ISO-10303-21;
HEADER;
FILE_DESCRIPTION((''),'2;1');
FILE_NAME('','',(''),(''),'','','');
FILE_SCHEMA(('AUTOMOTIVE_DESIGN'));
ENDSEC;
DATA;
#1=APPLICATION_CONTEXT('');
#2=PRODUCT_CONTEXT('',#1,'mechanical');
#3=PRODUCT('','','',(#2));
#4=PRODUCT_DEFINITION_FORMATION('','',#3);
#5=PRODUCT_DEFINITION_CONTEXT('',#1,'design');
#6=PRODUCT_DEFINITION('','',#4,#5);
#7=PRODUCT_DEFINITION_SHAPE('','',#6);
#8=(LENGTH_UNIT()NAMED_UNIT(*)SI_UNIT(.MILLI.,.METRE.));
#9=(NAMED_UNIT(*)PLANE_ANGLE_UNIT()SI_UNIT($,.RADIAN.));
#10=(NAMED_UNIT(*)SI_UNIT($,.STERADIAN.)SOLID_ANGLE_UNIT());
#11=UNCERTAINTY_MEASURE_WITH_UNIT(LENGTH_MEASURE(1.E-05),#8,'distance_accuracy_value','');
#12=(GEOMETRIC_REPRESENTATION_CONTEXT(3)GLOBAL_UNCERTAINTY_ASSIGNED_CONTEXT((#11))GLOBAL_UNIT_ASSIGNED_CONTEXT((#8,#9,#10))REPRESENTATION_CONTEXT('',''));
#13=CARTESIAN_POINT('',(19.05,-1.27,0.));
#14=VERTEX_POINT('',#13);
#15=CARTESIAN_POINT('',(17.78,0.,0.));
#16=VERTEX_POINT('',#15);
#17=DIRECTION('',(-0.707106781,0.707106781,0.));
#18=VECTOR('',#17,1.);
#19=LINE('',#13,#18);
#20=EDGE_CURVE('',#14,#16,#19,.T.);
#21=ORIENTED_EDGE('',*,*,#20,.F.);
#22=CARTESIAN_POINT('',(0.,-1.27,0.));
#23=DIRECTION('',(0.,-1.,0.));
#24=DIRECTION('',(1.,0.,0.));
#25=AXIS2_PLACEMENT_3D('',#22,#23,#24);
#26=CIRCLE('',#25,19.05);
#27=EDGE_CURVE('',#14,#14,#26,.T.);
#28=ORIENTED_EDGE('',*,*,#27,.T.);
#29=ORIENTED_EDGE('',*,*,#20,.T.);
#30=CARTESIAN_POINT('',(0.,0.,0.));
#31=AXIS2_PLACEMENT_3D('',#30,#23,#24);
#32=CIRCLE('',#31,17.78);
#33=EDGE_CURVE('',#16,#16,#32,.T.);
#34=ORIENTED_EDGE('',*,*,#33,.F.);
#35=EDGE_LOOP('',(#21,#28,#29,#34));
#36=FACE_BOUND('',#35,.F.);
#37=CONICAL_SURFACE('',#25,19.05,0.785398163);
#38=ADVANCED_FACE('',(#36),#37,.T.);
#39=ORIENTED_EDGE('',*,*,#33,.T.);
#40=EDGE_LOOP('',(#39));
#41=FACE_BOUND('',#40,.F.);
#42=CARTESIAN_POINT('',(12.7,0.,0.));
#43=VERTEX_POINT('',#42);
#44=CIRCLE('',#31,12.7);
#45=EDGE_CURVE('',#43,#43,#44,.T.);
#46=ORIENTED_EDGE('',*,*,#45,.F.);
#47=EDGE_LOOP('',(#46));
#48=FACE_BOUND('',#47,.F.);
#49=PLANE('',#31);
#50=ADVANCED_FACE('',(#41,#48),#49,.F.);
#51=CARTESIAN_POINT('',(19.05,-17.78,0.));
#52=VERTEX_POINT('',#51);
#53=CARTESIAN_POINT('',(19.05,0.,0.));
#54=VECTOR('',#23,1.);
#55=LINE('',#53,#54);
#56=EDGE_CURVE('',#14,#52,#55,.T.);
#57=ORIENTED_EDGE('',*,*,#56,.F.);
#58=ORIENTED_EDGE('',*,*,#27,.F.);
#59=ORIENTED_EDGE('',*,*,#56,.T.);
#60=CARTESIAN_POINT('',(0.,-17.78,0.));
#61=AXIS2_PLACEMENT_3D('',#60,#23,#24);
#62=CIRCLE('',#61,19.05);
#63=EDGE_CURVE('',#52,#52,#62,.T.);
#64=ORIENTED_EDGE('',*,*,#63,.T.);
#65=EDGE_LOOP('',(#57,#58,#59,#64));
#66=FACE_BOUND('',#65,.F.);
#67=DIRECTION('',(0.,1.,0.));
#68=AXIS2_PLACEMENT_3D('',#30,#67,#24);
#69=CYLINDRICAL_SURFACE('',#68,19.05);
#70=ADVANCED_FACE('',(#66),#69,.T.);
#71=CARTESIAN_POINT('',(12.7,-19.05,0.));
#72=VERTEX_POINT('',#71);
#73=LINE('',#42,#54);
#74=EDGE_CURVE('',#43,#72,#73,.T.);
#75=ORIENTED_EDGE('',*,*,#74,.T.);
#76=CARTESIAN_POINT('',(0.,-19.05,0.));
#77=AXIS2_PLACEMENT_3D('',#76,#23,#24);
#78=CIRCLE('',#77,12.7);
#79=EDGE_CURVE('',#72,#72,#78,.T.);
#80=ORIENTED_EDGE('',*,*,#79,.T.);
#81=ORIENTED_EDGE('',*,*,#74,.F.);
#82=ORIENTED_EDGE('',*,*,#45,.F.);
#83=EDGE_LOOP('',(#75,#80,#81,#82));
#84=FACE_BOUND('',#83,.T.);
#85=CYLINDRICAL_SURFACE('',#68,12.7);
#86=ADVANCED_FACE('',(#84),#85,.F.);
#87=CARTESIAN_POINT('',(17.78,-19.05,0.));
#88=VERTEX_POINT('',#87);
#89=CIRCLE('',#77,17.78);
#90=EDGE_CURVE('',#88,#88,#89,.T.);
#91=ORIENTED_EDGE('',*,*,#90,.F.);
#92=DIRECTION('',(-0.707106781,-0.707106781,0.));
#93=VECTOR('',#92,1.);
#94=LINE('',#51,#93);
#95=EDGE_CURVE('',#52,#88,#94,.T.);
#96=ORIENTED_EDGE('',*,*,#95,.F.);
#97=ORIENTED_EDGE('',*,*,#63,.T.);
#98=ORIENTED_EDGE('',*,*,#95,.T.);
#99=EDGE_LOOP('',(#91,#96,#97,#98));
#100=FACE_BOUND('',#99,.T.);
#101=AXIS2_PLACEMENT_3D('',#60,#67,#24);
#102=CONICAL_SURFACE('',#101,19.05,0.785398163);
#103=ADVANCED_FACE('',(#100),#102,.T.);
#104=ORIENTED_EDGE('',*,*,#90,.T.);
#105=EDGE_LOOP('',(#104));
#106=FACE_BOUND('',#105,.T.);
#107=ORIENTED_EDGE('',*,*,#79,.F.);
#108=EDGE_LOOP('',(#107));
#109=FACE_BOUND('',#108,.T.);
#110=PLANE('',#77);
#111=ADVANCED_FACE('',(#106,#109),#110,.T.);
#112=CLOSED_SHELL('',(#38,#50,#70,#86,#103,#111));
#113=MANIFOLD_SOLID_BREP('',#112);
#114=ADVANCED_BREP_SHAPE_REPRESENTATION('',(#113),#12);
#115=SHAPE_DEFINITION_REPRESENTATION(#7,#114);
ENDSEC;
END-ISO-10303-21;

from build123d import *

# Parameters (mm, degrees)
F0_R     = 19.05
F0_R_2   = 12.7
F1_DEPTH = 19.05
F2_SIZE  = 1.27


with BuildPart() as f1:
    # F0 (on Front) → F1 (new body)
    with BuildSketch(Plane.XZ):
        Circle(F0_R)
        Circle(F0_R_2, mode=Mode.SUBTRACT)
    extrude(amount=F1_DEPTH)

    # F2
    f2_edges = [f1.edges().sort_by_distance(p)[0] for p in [
        (-19.05, 0, 0),
        (-19.05, -19.05, 0),
    ]]
    chamfer(f2_edges, length=F2_SIZE)


solid = f1.part
